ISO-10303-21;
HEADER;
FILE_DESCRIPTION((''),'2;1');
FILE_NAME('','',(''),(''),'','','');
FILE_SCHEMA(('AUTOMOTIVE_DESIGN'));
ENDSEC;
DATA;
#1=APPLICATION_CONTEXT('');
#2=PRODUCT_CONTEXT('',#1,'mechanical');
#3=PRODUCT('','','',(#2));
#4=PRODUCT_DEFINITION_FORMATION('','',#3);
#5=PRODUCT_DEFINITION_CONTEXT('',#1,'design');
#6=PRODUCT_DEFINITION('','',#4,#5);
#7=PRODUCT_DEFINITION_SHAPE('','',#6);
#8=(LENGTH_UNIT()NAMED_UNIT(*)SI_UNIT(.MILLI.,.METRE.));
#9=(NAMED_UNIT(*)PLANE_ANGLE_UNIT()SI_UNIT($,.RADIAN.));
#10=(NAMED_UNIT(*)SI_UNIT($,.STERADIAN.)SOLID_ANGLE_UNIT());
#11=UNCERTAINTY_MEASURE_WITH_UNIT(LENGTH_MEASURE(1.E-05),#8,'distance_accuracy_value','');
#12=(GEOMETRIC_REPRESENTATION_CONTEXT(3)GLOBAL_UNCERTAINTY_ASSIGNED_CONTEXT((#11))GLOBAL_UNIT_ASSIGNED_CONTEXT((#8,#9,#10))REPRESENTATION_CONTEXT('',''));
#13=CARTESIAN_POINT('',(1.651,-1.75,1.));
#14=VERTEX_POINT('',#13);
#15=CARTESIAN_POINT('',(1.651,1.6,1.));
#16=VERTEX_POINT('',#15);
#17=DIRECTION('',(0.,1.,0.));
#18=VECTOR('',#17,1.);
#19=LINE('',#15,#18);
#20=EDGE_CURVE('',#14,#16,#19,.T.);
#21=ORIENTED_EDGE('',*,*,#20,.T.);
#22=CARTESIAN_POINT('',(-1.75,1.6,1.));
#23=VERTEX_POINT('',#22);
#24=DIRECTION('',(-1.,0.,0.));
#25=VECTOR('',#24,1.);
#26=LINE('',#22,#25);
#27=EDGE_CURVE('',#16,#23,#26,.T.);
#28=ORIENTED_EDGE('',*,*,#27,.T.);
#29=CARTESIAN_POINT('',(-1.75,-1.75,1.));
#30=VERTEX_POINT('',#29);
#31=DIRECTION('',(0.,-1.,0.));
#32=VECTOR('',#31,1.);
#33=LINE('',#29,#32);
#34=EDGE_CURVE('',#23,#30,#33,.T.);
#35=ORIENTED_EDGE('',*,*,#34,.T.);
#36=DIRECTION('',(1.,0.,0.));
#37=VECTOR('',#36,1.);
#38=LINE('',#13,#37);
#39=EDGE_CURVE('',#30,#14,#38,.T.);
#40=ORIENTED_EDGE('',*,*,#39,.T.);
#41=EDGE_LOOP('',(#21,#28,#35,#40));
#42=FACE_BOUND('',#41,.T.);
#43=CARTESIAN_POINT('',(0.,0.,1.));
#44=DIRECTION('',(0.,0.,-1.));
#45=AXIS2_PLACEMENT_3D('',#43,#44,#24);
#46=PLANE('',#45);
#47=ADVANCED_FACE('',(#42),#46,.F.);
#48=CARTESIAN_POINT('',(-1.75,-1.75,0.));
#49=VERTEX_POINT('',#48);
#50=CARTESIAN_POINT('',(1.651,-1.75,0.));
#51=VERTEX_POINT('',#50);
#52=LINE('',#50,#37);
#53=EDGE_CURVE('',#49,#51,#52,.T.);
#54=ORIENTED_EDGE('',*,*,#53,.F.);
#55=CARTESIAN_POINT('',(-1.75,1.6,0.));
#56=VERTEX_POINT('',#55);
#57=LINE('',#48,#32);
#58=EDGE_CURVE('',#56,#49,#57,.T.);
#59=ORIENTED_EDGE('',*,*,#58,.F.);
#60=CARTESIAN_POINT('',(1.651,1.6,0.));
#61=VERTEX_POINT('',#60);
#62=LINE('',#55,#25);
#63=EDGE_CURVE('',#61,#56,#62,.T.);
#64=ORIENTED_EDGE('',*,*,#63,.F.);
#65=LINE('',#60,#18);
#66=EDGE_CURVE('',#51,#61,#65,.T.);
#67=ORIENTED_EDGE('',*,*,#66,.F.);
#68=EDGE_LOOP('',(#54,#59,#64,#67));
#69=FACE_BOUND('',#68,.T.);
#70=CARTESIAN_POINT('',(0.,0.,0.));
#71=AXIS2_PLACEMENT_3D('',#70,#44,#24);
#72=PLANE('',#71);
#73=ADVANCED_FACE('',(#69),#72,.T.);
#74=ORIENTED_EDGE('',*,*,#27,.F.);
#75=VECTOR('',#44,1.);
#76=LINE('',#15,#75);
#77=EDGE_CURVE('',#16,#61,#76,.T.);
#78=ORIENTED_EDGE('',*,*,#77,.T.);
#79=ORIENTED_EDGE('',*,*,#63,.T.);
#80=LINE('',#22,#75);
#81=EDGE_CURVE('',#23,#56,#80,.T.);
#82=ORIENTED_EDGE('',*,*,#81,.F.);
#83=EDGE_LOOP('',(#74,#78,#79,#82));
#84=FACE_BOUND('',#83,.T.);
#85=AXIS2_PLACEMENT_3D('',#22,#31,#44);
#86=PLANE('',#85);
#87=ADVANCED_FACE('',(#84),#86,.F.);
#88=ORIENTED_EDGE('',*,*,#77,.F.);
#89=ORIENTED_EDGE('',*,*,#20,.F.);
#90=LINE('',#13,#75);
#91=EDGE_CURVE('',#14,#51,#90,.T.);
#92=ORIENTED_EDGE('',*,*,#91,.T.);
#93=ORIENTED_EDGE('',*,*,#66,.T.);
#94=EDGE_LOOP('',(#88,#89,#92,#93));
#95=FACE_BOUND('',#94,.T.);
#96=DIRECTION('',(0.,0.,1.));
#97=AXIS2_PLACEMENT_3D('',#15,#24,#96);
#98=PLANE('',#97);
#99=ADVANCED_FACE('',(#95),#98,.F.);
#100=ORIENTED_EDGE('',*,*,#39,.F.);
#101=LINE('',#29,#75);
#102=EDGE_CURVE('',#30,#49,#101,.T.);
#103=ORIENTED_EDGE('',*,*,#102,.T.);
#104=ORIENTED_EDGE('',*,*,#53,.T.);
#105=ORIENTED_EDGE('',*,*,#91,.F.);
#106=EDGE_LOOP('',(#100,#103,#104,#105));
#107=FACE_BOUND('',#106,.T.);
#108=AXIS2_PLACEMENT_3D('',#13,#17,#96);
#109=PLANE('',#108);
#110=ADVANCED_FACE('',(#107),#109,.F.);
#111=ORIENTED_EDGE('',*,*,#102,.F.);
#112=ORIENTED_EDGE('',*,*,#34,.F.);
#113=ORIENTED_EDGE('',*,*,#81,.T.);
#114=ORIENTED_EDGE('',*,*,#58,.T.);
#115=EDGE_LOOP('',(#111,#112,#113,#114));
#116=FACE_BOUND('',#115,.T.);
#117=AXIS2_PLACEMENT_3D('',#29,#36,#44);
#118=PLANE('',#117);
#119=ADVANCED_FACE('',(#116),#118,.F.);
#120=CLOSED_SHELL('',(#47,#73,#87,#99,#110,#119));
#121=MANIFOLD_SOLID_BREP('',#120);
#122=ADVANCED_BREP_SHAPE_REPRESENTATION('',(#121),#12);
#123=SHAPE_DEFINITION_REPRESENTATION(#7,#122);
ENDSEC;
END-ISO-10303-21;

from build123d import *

# Parameters (mm, degrees)
SKETCH1_W               = 3.401
SKETCH1_H               = 3.35
COMPONENT_OUTLINE_DEPTH = 1


with BuildPart() as part:
    # Sketch1 → Component_Outline (new body)
    with BuildSketch(Plane.XY):
        with Locations((-0.0495, -0.075)):
            Rectangle(SKETCH1_W, SKETCH1_H)
    extrude(amount=COMPONENT_OUTLINE_DEPTH)


solid = part.part
